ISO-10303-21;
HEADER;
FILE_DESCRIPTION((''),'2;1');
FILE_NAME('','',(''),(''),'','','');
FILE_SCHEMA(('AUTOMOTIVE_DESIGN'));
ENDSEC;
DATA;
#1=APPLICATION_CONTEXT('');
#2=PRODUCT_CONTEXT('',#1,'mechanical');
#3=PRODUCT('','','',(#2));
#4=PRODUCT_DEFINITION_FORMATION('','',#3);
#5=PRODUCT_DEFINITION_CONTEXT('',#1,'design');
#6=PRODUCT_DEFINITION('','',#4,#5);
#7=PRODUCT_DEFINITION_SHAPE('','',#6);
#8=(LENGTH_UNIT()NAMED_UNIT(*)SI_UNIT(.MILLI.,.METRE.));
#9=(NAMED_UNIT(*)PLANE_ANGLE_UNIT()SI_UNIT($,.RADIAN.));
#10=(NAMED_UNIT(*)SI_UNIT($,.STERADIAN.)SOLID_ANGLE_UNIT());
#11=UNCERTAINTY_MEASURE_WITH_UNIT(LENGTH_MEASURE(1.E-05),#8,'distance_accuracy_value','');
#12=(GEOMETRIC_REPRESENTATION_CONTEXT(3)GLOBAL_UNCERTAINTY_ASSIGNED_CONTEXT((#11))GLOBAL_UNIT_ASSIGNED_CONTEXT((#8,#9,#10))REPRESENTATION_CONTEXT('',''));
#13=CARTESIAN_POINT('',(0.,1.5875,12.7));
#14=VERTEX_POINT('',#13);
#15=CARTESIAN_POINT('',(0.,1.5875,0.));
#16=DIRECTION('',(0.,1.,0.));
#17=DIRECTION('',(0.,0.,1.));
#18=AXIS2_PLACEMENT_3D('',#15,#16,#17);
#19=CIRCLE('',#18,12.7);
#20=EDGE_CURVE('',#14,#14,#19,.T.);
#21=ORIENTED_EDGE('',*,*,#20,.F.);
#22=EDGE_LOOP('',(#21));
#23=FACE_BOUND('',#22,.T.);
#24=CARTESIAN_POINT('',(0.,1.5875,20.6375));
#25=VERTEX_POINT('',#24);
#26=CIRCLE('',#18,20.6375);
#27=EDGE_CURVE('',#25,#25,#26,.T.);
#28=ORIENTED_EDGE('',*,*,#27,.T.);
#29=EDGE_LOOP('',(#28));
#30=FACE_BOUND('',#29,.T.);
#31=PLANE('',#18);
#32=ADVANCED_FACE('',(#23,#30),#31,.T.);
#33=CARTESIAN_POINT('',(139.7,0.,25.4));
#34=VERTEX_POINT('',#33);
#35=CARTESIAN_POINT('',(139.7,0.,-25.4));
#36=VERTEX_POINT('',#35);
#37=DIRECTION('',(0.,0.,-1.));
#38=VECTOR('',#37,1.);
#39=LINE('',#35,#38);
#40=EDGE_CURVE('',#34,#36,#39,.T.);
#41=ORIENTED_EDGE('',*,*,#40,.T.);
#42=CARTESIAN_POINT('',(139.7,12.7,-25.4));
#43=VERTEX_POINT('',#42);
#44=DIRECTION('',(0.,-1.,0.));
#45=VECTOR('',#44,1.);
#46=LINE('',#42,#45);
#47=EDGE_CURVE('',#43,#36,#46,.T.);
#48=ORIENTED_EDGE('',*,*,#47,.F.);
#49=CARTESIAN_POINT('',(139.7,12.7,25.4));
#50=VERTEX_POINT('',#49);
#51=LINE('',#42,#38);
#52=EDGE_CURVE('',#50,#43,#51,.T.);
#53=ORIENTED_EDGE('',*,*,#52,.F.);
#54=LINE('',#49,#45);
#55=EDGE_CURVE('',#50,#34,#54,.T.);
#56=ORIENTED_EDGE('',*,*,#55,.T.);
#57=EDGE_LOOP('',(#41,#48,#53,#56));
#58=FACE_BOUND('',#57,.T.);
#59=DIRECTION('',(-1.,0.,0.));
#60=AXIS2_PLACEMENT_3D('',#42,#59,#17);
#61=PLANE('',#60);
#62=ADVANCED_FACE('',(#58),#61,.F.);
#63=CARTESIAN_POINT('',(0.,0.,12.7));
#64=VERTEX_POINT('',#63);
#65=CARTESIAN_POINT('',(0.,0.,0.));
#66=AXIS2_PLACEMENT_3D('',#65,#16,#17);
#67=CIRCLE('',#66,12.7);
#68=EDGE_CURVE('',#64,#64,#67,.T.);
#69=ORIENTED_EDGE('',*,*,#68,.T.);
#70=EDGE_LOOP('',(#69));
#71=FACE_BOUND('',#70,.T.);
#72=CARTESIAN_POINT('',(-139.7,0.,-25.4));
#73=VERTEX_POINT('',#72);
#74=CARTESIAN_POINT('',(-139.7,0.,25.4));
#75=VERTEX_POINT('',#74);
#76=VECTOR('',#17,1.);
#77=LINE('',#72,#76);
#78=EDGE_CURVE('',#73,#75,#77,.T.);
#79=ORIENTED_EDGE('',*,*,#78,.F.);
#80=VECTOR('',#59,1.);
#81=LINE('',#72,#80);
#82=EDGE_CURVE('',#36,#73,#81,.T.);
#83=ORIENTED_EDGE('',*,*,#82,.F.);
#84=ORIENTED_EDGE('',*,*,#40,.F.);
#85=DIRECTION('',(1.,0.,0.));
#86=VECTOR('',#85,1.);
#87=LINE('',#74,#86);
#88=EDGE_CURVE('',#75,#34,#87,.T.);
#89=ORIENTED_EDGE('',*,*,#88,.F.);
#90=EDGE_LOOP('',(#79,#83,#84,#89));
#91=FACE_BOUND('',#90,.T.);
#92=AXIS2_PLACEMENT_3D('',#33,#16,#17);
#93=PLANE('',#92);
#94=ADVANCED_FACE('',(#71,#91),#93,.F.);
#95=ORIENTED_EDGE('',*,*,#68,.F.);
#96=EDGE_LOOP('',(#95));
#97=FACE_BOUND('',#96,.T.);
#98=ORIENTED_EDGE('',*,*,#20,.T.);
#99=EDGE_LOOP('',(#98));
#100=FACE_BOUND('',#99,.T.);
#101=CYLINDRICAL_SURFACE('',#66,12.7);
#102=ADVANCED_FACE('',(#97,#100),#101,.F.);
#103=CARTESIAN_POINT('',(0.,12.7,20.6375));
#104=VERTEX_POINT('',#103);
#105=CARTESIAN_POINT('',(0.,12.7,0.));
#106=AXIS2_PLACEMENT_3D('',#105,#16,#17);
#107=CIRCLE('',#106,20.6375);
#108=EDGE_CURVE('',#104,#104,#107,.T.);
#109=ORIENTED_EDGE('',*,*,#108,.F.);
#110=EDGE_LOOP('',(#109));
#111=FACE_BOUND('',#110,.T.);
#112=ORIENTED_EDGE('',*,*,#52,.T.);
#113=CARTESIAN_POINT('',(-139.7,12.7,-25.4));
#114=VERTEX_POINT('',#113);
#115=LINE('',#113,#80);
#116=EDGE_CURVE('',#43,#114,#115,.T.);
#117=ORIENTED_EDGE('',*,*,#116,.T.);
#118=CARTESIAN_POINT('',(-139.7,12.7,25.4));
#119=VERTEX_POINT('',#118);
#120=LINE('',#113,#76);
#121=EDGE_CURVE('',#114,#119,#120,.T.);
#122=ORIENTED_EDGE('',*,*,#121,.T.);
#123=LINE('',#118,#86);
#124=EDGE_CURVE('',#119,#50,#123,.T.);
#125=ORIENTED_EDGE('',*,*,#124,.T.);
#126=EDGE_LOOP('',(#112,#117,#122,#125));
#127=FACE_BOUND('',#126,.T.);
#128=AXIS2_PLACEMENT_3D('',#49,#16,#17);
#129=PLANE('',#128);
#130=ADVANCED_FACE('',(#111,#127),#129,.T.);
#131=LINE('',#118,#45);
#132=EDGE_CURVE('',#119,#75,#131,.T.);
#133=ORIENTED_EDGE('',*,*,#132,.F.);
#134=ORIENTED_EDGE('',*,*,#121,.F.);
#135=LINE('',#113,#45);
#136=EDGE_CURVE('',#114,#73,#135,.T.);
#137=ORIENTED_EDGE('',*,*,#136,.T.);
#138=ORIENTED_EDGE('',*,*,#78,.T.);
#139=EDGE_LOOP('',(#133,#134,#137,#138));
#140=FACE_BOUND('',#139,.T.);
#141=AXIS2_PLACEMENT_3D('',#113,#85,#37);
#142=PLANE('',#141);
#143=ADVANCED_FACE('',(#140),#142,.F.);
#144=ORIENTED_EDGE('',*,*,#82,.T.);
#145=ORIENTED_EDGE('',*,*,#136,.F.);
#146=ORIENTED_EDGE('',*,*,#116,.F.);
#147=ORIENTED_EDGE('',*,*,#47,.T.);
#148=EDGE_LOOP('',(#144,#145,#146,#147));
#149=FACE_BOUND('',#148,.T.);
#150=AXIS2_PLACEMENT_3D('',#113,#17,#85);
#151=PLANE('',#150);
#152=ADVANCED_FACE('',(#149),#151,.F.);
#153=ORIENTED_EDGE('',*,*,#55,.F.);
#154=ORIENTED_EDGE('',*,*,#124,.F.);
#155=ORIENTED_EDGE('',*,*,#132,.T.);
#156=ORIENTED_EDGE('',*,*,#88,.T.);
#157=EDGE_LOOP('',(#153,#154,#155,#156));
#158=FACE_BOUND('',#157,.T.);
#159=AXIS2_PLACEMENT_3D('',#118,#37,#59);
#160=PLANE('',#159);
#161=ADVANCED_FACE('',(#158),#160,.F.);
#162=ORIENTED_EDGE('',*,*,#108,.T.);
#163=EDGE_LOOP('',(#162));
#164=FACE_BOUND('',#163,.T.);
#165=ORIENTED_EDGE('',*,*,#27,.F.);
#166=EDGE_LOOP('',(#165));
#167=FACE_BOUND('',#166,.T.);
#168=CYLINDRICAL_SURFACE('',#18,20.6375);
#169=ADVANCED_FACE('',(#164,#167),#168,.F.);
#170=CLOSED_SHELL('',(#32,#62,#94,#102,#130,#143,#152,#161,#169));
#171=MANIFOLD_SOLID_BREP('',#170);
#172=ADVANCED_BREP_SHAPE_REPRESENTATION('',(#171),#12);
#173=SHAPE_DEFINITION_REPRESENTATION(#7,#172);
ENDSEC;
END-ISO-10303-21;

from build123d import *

# Parameters (mm, degrees)
SKETCH1_W           = 279.4
SKETCH1_H           = 50.8
BOSS_EXTRUDE1_DEPTH = 12.7
SKETCH2_R           = 20.6375
CUT_EXTRUDE1_DEPTH  = 11.1125
SKETCH3_R           = 12.7
CUT_EXTRUDE2_DEPTH  = 143.42449809


with BuildPart() as part:
    # Sketch1 → Boss-Extrude1 (new body)
    with BuildSketch(Plane(origin=(0, 0, 0), x_dir=(1, 0, 0), z_dir=(0, 1, 0))):
        Rectangle(SKETCH1_W, SKETCH1_H)
    extrude(amount=BOSS_EXTRUDE1_DEPTH)

    # Sketch2 → Cut-Extrude1 (cut)
    with BuildSketch(Plane(origin=(0, 12.7, 0), x_dir=(1, 0, 0), z_dir=(0, 1, 0))):
        with Locations(Location((0, 0, 0), (0, 0, 270))):
            Circle(SKETCH2_R)
    extrude(amount=-CUT_EXTRUDE1_DEPTH, mode=Mode.SUBTRACT)

    # Sketch3 → Cut-Extrude2 (cut, through all)
    with BuildSketch(Plane(origin=(0, 1.5875, 0), x_dir=(1, 0, 0), z_dir=(0, 1, 0))):
        with Locations(Location((0, 0, 0), (0, 0, 270))):
            Circle(SKETCH3_R)
    extrude(amount=-CUT_EXTRUDE2_DEPTH, mode=Mode.SUBTRACT)


solid = part.part
